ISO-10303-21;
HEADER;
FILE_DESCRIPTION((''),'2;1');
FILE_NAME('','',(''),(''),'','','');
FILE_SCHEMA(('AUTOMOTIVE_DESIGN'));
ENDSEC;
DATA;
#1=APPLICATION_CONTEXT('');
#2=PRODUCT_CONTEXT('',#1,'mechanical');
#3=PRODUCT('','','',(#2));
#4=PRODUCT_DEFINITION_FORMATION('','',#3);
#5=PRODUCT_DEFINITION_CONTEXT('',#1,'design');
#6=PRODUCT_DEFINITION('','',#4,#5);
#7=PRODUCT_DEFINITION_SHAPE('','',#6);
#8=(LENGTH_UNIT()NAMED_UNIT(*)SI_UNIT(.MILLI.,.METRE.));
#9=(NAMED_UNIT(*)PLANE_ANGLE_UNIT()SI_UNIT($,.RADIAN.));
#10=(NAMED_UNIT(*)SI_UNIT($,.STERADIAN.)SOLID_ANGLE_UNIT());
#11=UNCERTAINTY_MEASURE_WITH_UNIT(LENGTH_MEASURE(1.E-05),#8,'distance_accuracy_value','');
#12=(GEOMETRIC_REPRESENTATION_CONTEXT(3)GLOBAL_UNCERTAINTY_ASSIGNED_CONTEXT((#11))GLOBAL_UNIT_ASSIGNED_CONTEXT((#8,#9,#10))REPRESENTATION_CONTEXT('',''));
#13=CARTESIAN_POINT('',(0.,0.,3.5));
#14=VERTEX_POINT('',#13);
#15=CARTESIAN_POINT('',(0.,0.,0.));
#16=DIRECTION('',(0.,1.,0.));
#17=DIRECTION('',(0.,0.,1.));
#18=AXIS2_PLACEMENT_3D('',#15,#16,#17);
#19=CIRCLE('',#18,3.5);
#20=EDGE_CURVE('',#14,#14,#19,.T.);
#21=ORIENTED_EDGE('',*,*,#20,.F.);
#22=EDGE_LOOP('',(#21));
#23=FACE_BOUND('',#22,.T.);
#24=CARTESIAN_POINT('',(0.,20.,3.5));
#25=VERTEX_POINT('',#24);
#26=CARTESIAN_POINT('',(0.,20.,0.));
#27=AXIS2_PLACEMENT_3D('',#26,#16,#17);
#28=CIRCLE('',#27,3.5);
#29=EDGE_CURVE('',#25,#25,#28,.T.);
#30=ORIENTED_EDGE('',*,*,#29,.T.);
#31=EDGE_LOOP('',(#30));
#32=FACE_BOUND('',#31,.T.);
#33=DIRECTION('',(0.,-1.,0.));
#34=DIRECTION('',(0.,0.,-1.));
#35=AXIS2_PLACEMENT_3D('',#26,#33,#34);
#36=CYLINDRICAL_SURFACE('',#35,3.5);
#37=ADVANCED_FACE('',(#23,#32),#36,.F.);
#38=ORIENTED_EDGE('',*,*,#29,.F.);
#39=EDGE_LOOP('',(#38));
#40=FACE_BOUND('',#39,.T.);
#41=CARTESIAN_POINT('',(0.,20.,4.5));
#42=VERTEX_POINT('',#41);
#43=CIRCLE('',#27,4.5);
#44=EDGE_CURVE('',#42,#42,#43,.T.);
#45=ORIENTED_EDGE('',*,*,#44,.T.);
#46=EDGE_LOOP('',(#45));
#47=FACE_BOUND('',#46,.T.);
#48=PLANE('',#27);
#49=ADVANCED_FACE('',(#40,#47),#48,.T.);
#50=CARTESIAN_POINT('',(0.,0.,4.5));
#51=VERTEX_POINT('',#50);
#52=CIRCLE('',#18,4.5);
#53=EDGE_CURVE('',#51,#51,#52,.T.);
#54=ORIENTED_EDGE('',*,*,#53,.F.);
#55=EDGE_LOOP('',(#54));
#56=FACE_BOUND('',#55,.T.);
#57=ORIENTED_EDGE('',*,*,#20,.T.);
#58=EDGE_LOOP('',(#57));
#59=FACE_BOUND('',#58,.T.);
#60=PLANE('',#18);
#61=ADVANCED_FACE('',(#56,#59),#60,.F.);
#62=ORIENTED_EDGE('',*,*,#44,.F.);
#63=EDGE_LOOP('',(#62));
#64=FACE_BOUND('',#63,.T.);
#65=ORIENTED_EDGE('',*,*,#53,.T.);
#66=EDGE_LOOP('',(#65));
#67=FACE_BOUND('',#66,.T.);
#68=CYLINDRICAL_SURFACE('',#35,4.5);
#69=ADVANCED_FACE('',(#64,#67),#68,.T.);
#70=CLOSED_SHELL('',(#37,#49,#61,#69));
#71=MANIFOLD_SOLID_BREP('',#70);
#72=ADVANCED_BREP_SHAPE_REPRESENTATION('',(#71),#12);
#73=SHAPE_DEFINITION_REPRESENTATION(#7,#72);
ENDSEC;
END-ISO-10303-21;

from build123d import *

# Parameters (mm, degrees)
ESBO_O1_R                = 4.5
ESBO_O1_R_2              = 3.5
RESSALTO_EXTRUS_O1_DEPTH = 20


with BuildPart() as part:
    # Esboço1 → Ressalto-extrusão1 (new body)
    with BuildSketch(Plane(origin=(0, 0, 0), x_dir=(1, 0, 0), z_dir=(0, 1, 0))):
        with Locations(Location((0, 0, 0), (0, 0, 270))):
            Circle(ESBO_O1_R)
        with Locations(Location((0, 0, 0), (0, 0, 270))):
            Circle(ESBO_O1_R_2, mode=Mode.SUBTRACT)
    extrude(amount=RESSALTO_EXTRUS_O1_DEPTH)


solid = part.part
